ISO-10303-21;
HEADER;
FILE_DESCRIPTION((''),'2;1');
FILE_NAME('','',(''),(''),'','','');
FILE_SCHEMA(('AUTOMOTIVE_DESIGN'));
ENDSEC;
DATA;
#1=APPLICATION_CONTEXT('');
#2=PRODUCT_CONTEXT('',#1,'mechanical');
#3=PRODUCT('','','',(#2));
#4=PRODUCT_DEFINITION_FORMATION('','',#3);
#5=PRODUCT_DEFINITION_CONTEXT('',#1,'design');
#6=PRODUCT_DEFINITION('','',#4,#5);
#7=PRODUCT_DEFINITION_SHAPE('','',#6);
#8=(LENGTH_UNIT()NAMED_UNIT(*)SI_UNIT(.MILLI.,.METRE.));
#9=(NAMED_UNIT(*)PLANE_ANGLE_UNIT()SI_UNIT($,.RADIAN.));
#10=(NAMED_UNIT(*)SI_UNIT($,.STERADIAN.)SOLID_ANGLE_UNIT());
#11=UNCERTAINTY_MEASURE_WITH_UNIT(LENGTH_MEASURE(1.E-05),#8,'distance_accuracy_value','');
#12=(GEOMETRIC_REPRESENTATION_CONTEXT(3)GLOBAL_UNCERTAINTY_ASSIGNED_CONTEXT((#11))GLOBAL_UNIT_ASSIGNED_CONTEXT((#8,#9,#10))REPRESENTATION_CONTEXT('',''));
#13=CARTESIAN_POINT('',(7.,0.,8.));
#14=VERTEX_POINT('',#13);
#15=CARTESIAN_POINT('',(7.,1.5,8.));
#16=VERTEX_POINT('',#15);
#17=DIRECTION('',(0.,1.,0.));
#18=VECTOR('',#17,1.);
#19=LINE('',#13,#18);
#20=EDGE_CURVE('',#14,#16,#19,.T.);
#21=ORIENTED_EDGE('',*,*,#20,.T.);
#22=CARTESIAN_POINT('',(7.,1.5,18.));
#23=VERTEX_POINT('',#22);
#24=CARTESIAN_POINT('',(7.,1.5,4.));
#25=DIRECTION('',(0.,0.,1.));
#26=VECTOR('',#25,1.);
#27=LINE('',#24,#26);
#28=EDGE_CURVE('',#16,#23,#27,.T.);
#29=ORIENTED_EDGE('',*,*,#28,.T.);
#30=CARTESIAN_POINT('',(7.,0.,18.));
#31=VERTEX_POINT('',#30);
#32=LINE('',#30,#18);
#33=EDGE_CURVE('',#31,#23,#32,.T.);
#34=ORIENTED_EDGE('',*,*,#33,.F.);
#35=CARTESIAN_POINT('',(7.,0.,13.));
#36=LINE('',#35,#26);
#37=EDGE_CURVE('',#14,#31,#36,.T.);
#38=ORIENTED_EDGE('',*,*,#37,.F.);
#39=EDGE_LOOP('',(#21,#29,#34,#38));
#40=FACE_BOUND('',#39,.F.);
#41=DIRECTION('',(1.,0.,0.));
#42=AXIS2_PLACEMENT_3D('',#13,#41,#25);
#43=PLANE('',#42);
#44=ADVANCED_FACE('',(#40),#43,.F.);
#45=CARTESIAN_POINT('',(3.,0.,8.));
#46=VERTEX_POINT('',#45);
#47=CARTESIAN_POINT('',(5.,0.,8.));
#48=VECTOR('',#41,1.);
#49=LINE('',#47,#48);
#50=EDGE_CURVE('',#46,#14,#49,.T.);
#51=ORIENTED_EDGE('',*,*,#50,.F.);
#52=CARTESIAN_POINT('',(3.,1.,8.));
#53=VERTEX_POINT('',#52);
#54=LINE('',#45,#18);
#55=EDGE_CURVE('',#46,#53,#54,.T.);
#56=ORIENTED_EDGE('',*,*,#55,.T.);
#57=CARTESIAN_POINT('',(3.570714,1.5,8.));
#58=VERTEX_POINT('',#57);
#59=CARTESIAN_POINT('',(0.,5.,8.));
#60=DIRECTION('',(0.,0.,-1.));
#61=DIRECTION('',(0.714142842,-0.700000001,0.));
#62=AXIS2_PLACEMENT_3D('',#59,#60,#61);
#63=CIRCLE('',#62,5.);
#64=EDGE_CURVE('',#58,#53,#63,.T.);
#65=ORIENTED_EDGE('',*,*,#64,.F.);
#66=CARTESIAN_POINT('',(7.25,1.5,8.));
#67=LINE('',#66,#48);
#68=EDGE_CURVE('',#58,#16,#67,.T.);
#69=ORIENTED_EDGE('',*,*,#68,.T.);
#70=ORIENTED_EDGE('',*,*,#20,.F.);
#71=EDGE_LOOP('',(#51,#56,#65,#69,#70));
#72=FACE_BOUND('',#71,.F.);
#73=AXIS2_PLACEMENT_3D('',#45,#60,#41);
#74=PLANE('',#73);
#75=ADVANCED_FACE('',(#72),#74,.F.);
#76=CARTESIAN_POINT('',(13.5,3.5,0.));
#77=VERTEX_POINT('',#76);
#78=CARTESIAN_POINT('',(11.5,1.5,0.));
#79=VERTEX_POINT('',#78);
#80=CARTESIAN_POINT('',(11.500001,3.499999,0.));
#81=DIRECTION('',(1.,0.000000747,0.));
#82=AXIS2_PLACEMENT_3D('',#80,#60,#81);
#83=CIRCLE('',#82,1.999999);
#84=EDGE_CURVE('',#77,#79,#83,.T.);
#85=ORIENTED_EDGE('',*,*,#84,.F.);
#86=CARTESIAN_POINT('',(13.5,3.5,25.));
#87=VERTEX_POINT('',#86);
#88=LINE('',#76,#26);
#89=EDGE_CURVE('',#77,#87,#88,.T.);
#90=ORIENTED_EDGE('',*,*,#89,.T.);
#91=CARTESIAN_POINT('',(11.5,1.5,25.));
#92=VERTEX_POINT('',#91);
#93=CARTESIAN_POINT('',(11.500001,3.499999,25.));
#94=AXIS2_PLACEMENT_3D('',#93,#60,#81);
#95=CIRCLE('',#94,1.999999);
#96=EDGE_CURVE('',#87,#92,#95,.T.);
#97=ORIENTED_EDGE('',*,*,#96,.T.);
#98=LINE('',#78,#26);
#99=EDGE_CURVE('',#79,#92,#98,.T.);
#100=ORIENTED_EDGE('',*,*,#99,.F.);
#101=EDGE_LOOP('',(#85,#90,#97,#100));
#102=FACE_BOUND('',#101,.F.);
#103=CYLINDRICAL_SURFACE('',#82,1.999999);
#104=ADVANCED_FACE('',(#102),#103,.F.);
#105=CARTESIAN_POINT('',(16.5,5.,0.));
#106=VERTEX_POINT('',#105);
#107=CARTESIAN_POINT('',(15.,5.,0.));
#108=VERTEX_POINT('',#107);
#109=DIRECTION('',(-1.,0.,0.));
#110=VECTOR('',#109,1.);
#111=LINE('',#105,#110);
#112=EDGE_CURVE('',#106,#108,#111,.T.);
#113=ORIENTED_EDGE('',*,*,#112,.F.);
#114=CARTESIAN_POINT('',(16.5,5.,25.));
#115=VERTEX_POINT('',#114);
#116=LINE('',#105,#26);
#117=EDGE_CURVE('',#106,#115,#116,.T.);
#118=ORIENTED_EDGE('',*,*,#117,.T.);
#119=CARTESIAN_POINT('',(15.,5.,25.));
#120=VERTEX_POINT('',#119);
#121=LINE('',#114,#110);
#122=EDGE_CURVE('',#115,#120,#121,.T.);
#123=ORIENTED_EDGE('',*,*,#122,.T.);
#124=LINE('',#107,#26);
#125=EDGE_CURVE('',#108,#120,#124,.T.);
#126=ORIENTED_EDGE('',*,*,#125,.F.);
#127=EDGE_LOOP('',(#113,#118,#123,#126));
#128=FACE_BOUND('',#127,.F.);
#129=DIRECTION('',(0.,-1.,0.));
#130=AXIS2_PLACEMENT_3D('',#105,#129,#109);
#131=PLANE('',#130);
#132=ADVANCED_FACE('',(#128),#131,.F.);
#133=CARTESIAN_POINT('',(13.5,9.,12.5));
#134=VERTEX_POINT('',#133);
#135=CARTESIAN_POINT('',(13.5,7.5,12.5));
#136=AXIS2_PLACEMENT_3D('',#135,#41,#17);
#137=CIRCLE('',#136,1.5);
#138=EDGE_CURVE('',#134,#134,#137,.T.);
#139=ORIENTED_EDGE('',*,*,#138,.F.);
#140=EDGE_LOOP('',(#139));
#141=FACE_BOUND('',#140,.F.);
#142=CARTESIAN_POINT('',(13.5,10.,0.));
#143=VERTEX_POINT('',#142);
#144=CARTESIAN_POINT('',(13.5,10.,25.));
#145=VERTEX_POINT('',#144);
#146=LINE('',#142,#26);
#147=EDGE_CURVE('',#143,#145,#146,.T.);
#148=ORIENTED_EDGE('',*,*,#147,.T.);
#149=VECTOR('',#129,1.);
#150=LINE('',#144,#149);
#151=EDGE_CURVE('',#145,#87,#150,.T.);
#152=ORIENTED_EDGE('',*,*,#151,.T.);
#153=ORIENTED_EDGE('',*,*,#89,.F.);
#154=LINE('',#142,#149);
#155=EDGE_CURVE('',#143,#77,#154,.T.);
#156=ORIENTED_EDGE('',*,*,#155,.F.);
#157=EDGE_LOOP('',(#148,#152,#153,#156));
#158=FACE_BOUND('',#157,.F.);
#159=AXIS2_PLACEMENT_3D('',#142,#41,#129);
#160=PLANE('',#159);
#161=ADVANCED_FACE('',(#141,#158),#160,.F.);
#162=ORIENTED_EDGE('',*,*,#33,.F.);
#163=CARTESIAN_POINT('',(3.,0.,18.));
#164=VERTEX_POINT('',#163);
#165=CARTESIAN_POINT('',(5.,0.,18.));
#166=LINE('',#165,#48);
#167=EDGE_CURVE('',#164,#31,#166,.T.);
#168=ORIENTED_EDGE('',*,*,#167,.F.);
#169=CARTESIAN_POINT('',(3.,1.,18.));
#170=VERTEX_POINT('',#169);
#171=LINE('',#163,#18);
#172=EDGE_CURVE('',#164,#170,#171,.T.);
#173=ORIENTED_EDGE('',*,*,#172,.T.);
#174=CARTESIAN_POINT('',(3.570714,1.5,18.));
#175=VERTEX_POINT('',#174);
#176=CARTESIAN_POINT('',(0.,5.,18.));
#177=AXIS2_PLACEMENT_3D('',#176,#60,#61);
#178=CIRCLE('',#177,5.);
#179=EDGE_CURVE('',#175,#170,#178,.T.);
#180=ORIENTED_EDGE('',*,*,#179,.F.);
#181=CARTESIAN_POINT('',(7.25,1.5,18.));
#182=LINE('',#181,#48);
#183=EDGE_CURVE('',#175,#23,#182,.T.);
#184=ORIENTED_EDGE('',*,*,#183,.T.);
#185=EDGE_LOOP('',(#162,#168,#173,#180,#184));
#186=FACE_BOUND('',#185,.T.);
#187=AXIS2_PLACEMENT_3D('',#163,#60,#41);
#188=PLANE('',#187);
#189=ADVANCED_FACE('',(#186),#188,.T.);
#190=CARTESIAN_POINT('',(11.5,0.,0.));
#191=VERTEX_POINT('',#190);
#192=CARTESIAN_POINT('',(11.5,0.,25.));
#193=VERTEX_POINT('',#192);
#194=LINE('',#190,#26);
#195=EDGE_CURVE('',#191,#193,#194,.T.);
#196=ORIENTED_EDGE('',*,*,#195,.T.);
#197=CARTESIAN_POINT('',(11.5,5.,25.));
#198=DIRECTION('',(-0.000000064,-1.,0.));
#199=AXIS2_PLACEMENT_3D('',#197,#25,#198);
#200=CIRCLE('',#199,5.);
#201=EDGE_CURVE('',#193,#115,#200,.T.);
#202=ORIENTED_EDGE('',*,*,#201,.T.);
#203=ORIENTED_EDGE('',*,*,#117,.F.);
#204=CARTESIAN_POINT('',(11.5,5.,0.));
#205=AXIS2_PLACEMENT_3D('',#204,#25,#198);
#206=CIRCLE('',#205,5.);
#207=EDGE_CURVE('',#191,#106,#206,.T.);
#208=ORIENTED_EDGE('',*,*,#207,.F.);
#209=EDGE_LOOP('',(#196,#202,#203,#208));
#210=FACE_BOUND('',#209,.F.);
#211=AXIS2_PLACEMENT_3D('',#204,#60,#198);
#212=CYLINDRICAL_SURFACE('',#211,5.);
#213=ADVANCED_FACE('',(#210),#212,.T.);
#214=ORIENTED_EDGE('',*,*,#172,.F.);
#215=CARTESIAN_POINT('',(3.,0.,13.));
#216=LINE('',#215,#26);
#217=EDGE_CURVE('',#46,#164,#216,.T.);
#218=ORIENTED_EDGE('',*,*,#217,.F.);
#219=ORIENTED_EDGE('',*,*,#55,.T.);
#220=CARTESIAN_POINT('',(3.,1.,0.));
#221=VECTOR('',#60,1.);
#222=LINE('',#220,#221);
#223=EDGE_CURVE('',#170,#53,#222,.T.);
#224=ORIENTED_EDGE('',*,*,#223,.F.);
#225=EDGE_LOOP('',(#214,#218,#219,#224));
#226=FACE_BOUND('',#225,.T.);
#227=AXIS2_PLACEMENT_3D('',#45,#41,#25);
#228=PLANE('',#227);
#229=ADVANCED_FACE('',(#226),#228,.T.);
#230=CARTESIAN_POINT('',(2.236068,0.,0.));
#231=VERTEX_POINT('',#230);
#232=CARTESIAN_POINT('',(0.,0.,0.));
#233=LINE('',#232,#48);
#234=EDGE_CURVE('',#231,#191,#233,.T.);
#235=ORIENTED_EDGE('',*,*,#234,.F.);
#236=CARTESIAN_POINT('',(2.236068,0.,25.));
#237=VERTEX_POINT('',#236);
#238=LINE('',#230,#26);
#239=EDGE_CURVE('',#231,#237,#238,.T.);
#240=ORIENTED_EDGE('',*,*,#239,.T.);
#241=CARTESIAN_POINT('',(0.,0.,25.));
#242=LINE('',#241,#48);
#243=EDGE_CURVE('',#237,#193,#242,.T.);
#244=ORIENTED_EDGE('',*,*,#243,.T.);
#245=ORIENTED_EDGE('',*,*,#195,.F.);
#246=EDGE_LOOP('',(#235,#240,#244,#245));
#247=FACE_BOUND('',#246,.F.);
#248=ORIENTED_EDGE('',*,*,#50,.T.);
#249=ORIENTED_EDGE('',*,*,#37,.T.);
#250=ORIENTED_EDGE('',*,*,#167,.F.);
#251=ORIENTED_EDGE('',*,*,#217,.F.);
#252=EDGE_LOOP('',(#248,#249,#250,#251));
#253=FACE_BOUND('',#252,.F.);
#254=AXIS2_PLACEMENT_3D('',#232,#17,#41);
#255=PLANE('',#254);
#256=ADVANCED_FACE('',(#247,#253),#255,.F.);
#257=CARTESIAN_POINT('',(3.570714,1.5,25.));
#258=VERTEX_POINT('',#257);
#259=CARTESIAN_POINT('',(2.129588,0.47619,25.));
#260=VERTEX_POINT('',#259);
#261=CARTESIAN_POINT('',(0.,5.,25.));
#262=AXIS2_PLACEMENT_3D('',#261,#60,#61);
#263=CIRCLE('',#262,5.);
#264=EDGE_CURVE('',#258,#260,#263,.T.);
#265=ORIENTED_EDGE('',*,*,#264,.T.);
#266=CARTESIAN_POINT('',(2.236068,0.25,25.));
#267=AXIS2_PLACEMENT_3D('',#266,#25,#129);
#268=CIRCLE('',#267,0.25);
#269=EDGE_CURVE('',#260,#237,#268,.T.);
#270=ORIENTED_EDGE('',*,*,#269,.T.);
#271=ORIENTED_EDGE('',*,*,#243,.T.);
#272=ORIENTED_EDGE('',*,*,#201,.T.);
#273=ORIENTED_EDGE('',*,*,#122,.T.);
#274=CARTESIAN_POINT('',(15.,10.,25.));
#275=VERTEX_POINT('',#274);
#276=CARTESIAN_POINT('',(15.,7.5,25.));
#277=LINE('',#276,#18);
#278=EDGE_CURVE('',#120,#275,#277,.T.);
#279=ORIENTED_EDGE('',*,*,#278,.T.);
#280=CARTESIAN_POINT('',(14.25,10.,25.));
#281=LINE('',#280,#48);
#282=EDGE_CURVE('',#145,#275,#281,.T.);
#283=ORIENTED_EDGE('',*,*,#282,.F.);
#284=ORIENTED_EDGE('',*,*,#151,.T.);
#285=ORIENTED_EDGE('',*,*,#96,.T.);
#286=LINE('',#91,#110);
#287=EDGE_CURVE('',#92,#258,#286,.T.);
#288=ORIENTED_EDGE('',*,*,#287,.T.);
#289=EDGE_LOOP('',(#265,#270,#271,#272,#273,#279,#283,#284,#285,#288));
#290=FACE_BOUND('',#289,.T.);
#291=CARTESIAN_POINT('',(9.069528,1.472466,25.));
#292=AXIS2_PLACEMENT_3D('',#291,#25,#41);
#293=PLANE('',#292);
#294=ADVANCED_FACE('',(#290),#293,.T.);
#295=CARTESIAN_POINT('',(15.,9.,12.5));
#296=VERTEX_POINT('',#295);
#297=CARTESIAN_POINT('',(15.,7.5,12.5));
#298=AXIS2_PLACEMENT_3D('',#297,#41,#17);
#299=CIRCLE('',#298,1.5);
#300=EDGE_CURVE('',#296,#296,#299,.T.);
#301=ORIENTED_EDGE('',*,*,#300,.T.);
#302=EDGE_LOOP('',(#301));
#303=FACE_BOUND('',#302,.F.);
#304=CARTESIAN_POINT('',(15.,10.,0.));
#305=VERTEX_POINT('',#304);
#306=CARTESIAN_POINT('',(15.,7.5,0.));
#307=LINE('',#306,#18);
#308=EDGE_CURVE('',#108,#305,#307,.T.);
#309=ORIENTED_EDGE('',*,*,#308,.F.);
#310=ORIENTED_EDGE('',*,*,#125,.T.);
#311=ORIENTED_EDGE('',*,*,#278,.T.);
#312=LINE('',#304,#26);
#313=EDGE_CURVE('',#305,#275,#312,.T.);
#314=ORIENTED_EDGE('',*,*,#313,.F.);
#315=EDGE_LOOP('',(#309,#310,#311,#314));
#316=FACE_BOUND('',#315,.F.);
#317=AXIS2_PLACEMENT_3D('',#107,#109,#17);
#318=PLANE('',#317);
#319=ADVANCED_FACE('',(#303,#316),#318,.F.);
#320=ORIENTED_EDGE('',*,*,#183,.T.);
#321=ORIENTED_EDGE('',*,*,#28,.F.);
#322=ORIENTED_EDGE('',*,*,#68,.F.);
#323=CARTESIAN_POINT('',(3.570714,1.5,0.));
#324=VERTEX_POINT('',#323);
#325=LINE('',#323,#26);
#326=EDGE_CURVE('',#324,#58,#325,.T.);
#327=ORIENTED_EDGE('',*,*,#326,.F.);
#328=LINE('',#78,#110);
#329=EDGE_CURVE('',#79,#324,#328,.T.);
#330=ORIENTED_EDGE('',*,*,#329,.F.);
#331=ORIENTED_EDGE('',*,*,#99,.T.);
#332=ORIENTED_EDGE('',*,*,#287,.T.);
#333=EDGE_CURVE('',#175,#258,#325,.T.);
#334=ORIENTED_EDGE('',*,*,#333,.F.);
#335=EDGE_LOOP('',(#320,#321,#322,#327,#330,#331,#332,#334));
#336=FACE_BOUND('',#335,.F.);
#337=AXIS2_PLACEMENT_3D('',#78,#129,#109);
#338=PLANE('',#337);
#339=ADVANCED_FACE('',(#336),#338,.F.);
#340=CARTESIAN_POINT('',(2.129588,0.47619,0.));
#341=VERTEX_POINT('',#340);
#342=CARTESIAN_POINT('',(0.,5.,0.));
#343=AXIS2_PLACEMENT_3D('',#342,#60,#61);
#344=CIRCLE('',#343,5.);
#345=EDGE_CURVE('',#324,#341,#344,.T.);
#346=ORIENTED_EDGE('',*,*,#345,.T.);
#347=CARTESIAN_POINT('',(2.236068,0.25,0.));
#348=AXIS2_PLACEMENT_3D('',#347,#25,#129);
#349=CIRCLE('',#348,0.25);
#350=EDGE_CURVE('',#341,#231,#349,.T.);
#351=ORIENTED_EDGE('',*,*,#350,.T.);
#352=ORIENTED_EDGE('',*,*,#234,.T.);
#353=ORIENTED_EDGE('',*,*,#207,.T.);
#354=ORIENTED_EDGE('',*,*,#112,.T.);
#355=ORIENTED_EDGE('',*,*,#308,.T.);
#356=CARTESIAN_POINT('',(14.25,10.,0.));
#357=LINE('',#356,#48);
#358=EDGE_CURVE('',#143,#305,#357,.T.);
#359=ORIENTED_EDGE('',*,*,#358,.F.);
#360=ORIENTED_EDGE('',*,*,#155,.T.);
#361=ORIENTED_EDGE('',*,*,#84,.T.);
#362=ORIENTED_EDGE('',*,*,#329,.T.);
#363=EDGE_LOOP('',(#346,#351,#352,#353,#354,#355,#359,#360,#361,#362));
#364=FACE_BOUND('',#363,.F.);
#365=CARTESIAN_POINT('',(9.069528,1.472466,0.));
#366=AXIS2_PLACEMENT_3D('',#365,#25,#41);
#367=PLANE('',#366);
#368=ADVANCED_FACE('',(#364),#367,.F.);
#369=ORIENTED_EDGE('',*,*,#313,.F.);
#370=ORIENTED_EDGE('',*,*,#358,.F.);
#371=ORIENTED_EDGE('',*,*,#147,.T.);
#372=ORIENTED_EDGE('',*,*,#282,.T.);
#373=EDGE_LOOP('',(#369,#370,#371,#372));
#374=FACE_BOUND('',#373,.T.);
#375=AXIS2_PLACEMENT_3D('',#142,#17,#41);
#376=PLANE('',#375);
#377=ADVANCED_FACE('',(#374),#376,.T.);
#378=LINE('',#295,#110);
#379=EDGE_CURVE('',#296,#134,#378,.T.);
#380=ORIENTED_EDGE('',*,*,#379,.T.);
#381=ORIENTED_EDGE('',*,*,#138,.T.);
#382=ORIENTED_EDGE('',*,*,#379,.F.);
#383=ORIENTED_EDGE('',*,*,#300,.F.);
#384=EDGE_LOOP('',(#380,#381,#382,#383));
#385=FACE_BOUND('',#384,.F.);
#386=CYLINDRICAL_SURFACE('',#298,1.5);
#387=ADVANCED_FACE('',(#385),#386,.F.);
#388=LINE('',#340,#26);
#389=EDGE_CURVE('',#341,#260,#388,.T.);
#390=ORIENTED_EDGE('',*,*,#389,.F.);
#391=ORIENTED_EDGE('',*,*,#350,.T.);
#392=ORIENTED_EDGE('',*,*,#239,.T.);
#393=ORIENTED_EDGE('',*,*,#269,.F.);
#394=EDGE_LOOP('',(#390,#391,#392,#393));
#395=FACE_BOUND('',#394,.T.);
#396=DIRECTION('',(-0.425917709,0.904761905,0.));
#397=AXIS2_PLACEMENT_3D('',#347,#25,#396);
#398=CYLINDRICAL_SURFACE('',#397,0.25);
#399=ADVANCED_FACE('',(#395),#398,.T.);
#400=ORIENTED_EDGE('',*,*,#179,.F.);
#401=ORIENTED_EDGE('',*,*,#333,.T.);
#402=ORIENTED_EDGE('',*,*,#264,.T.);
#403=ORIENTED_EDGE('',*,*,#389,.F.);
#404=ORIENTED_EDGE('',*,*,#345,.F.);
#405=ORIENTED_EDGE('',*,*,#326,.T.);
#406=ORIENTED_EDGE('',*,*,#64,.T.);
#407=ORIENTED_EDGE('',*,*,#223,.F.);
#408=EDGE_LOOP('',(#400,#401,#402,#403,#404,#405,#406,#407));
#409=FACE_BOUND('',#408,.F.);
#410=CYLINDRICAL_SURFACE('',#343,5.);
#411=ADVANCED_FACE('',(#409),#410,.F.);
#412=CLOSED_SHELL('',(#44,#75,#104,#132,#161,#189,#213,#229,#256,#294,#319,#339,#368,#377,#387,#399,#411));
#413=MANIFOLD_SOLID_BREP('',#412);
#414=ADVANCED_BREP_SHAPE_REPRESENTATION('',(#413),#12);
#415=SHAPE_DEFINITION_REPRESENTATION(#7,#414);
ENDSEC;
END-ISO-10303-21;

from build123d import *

# Parameters (mm, degrees)
F0_W     = 1.5
F0_H     = 5
F1_DEPTH = 25
F2_R     = 1.5
F3_DEPTH = 25
F4_W     = 4
F4_H     = 10
F5_DEPTH = 25
F6_R     = 0.25


with BuildPart() as f1:
    # F0 (on Top) → F1 (new body)
    with BuildSketch(Plane.XY):
        with BuildLine():
            ThreePointArc((3.570714, 1.5), (1.936492, 0.390228), (0, 0))
            Line((0, 0), (11.5, 0))
            ThreePointArc((11.5, 0), (15.035534, 1.464466), (16.5, 5))
            Line((16.5, 5), (15, 5))
            Line((15, 5), (13.5, 5))
            Line((13.5, 5), (13.5, 3.5))
            ThreePointArc((13.5, 3.5), (12.914214, 2.085786), (11.5, 1.5))
            Line((11.5, 1.5), (10, 1.5))
            Line((10, 1.5), (3.570714, 1.5))
        make_face()
        with Locations((14.25, 7.5)):
            Rectangle(F0_W, F0_H)
    extrude(amount=F1_DEPTH)

    # F2 (on face) → F3 (cut)
    with BuildSketch(Plane.YZ.offset(15)):
        with Locations((7.5, 12.5)):
            Circle(F2_R)
    extrude(amount=-F3_DEPTH, mode=Mode.SUBTRACT)

    # F4 (on face) → F5 (cut)
    with BuildSketch(Plane.XZ):
        with Locations((5, 13)):
            Rectangle(F4_W, F4_H)
    extrude(amount=-F5_DEPTH, mode=Mode.SUBTRACT)

    # F6
    f6_edges = [f1.edges().sort_by_distance(p)[0] for p in [
        (0, 0, 12.5),
    ]]
    fillet(f6_edges, radius=F6_R)


solid = f1.part
